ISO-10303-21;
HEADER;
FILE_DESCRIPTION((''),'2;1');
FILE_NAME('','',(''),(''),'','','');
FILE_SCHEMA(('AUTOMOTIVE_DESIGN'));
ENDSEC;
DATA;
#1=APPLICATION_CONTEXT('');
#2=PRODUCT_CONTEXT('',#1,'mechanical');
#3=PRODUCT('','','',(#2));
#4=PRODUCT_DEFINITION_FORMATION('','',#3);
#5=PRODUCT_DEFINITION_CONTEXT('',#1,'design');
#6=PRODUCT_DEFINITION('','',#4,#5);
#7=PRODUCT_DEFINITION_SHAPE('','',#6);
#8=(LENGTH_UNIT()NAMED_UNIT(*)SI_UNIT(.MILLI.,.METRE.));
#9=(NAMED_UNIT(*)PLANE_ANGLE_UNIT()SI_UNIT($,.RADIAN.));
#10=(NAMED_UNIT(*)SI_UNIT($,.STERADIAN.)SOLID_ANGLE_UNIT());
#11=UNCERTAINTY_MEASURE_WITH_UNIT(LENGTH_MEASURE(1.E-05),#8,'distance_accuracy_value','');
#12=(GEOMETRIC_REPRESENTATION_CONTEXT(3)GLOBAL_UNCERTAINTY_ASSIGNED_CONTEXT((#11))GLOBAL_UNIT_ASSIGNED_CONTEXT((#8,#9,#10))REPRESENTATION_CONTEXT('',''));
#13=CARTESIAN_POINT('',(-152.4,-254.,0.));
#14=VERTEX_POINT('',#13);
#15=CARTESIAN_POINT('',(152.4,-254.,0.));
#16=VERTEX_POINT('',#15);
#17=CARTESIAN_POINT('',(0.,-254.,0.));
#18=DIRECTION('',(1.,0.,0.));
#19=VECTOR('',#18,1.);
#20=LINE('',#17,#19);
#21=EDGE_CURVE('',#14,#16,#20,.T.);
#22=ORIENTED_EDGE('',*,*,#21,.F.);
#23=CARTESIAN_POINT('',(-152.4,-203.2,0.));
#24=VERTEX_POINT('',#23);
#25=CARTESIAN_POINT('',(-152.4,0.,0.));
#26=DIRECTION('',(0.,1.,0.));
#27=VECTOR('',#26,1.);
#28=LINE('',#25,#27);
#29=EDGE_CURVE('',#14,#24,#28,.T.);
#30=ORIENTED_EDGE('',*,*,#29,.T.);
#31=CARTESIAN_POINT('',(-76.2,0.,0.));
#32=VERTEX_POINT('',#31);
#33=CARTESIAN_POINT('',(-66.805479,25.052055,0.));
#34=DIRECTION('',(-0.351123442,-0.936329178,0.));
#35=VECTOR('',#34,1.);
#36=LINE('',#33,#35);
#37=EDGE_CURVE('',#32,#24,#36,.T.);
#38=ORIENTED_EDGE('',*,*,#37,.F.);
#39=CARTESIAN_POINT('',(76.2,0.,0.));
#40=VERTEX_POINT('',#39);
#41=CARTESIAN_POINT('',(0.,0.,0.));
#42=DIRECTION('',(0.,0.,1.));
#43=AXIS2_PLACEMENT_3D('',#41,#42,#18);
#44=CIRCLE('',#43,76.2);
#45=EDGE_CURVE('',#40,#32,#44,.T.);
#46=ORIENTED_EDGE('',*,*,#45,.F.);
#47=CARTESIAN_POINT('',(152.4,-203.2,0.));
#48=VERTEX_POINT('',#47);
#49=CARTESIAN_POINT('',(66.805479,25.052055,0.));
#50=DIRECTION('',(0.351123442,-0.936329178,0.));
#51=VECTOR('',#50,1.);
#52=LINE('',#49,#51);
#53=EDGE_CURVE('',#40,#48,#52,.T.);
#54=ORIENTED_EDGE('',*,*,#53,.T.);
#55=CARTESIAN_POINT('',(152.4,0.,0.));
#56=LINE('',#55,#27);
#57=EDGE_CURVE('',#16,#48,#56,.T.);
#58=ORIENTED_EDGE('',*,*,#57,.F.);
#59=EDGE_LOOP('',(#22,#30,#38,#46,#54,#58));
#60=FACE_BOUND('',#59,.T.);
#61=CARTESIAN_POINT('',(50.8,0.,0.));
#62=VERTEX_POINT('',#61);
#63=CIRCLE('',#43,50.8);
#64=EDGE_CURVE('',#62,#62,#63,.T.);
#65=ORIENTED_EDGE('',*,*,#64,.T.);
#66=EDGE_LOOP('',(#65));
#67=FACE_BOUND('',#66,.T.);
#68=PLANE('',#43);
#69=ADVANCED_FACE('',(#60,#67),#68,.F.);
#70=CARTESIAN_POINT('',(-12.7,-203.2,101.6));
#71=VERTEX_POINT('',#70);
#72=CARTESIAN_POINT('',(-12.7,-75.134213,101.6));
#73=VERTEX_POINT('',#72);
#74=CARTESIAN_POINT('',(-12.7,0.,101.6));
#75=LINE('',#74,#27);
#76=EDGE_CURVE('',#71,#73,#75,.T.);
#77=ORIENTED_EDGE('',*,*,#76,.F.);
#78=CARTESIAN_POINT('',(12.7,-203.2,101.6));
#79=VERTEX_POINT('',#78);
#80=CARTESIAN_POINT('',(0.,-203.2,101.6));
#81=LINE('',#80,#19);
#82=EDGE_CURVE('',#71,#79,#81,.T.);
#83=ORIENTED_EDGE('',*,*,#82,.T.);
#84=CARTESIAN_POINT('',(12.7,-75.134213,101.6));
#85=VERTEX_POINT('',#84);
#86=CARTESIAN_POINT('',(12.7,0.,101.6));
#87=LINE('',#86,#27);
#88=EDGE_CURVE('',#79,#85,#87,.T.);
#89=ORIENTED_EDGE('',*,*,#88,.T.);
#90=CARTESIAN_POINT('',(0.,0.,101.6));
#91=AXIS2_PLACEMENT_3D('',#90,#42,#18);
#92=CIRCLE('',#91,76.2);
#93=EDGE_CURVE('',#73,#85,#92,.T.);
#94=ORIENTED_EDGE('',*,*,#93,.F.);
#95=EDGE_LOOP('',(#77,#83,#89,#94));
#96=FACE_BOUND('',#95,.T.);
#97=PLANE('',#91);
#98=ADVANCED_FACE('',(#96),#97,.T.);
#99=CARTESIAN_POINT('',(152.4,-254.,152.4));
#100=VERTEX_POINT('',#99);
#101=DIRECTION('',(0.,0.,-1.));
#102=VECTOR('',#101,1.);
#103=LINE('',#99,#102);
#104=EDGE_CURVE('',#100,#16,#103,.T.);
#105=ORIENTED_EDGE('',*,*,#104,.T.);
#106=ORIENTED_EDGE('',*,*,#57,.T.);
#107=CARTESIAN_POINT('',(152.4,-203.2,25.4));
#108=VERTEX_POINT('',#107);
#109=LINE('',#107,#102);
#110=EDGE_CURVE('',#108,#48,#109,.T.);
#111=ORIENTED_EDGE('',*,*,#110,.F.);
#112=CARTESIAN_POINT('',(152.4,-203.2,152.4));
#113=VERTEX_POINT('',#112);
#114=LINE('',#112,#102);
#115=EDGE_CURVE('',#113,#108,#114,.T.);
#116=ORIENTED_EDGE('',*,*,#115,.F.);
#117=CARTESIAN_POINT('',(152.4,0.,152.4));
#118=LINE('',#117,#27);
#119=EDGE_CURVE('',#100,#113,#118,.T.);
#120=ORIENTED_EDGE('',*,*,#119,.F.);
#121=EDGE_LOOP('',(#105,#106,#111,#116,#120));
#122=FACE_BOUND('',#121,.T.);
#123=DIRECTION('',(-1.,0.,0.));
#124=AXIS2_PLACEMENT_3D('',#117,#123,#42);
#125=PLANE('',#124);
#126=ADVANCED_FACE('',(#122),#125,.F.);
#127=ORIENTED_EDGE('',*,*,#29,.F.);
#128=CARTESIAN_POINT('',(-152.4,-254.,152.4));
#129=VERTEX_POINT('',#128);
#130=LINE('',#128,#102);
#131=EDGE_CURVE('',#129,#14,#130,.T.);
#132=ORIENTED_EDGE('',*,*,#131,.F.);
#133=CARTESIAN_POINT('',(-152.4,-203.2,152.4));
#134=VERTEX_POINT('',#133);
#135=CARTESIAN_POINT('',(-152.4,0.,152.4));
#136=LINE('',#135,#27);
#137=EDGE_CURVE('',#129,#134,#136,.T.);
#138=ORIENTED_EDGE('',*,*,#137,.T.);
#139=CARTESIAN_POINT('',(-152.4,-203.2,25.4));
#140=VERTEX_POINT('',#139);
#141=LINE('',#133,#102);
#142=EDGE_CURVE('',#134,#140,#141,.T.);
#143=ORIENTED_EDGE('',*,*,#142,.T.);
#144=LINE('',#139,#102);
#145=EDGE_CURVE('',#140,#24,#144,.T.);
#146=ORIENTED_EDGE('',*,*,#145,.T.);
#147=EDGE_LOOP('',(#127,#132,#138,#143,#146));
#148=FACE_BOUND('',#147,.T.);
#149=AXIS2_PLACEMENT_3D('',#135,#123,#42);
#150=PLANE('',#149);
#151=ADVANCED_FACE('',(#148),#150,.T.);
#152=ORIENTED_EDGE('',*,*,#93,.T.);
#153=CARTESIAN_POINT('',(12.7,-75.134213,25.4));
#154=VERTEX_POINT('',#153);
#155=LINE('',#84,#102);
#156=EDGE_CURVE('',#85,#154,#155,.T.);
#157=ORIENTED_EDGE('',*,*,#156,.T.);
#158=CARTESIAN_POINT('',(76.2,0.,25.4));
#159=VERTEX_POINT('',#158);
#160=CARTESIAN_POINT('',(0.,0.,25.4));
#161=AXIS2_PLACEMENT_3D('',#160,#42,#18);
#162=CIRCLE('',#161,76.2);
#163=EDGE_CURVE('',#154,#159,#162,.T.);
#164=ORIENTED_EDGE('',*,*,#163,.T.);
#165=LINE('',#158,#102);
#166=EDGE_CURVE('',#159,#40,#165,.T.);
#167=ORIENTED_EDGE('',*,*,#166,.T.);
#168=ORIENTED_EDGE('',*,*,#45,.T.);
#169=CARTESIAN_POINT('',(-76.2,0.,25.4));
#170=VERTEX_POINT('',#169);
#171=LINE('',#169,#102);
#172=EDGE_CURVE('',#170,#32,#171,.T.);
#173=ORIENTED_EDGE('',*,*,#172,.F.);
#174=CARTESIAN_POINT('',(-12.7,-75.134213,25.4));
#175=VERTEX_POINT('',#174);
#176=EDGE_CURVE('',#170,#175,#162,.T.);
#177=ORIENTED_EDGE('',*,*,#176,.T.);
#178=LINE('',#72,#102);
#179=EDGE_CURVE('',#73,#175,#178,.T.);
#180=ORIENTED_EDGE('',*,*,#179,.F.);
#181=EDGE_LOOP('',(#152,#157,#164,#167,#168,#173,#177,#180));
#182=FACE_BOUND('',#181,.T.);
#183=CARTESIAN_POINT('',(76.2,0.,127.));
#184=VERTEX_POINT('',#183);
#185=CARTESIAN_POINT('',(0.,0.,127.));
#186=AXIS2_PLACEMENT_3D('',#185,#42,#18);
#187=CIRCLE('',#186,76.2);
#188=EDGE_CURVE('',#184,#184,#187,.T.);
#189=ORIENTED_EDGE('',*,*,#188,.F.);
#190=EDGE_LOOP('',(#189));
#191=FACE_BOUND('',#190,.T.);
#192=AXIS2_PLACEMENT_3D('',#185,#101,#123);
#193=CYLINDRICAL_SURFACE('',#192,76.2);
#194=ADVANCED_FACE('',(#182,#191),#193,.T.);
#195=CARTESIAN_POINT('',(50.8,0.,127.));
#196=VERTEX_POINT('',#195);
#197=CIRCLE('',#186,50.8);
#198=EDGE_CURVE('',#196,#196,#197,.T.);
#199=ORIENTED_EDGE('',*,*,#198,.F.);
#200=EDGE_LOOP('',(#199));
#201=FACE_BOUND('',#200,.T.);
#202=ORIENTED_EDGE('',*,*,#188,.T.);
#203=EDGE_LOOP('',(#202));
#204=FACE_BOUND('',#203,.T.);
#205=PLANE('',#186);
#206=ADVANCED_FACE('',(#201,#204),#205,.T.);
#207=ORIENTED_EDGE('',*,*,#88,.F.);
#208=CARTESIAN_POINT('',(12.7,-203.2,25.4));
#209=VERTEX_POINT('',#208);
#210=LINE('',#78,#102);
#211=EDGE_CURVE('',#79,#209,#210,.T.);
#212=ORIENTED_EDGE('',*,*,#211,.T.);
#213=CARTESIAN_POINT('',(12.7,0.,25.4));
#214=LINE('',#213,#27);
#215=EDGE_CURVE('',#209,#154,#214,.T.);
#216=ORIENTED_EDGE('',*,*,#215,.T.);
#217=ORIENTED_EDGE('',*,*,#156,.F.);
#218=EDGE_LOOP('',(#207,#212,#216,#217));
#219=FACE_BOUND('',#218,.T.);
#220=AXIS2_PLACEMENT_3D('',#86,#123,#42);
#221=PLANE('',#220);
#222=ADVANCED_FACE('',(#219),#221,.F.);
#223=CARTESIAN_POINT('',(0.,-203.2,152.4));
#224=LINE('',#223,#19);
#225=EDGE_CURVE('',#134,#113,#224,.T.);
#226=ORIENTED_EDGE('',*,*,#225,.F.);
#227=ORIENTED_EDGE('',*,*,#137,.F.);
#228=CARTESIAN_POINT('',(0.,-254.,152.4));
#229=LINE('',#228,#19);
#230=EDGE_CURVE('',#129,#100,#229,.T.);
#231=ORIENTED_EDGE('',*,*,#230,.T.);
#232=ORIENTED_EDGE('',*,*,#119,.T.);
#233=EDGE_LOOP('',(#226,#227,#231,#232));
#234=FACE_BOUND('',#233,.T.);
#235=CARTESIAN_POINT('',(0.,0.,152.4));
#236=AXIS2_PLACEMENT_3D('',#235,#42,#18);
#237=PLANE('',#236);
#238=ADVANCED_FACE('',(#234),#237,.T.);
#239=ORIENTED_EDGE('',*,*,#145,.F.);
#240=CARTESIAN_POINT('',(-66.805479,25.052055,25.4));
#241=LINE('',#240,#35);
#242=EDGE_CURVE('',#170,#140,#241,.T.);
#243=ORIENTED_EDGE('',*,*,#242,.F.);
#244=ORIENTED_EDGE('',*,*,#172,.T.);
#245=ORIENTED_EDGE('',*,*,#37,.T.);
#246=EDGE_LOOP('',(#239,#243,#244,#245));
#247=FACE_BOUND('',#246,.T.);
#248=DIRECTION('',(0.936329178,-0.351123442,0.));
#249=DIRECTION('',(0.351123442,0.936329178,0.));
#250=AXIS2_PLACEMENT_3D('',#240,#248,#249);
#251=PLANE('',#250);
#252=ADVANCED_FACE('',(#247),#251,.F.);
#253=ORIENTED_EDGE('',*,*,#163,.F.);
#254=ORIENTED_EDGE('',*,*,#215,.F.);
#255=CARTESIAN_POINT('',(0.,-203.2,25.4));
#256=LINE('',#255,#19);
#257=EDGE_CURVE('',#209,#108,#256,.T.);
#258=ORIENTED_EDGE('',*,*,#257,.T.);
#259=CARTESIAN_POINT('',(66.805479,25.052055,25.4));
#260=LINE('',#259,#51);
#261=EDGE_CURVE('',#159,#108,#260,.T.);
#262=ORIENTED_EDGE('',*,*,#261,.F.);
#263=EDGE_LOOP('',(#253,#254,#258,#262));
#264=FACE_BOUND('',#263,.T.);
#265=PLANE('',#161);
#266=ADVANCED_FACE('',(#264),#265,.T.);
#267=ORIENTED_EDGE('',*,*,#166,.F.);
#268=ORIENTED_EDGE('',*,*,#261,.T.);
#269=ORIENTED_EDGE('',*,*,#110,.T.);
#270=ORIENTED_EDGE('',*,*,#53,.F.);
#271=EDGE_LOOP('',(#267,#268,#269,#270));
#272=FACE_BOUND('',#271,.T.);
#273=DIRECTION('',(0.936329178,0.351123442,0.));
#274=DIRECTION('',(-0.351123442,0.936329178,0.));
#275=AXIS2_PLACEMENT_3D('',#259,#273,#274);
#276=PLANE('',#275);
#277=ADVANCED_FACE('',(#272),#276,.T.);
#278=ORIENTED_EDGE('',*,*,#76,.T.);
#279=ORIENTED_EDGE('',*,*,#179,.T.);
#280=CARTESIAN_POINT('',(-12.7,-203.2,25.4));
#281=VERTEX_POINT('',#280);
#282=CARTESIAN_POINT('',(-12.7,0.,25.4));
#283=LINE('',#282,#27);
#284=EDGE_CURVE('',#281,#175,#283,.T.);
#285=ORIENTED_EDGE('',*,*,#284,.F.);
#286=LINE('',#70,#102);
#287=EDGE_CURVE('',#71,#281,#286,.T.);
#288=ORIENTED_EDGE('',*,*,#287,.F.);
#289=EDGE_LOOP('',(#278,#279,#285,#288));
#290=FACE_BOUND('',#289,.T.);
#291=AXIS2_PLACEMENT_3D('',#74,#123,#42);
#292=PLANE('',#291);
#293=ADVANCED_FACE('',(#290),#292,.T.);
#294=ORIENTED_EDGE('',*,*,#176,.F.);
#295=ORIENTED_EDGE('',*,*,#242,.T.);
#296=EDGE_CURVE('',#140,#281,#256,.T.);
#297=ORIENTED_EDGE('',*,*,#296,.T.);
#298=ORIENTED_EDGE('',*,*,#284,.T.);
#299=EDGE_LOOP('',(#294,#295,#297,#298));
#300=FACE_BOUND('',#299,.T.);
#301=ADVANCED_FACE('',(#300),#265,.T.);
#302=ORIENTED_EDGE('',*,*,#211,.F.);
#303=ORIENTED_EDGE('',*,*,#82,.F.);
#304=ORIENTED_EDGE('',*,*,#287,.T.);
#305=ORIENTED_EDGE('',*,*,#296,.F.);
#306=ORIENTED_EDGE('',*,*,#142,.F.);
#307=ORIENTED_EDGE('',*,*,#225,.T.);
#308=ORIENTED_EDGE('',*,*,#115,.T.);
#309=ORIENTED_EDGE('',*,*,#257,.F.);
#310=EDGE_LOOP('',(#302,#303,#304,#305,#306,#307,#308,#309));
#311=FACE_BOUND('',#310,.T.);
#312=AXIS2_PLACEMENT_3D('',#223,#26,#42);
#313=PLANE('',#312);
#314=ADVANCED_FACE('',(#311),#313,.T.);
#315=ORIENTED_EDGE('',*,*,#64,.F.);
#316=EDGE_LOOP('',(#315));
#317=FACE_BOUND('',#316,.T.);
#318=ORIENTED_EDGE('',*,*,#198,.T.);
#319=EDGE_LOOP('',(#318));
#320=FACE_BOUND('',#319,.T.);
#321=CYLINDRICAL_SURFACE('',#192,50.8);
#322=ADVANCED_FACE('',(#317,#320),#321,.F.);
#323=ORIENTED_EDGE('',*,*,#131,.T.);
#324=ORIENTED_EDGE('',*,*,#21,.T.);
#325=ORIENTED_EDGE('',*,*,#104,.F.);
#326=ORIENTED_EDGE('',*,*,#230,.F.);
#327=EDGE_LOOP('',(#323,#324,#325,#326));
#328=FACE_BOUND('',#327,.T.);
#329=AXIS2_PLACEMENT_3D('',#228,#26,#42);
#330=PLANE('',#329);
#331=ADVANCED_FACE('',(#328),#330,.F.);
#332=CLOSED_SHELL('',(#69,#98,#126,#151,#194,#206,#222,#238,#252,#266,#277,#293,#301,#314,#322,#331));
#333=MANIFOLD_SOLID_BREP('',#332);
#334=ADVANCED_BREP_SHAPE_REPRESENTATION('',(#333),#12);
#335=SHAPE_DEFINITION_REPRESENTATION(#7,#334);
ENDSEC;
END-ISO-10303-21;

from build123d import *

# Parameters (mm, degrees)
SKETCH2_R            = 50.8
BOSS_EXTRUDE7_DEPTH  = 127
BOSS_EXTRUDE8_DEPTH  = 101.6
BOSS_EXTRUDE9_DEPTH  = 152.4
BOSS_EXTRUDE10_DEPTH = 25.4


with BuildPart() as part:
    # Sketch2 → Boss-Extrude7 (new body)
    with BuildSketch(Plane.XY):
        with BuildLine():
            ThreePointArc((76.2, 0), (0, 76.2), (-76.2, 0))
            ThreePointArc((-76.2, 0), (-58.198711326, -49.186888497), (-12.7, -75.134213245))
            ThreePointArc((-12.7, -75.134213245), (0, -76.2), (12.7, -75.134213245))
            ThreePointArc((12.7, -75.134213245), (58.198711326, -49.186888497), (76.2, 0))
        make_face()
        Circle(SKETCH2_R, mode=Mode.SUBTRACT)
    extrude(amount=BOSS_EXTRUDE7_DEPTH)

    # Sketch2<11> → Boss-Extrude8 (add)
    with BuildSketch(Plane.XY):
        with BuildLine():
            ThreePointArc((12.7, -75.134213245), (0, -76.2), (-12.7, -75.134213245))
            Line((-12.7, -75.134213245), (-12.7, -203.2))
            Line((-12.7, -203.2), (12.7, -203.2))
            Line((12.7, -203.2), (12.7, -75.134213245))
        make_face()
    extrude(amount=BOSS_EXTRUDE8_DEPTH)

    # Sketch2<12> → Boss-Extrude9 (add)
    with BuildSketch(Plane.XY):
        Polygon((-12.7, -203.2), (-152.4, -203.2), (-152.4, -254), (152.4, -254), (152.4, -203.2), (12.7, -203.2), align=None)
    extrude(amount=BOSS_EXTRUDE9_DEPTH)

    # Sketch2<13> → Boss-Extrude10 (add)
    with BuildSketch(Plane.XY):
        with BuildLine():
            ThreePointArc((-12.7, -75.134213245), (-58.198711326, -49.186888497), (-76.2, 0))
            Line((-76.2, 0), (-152.4, -203.2))
            Line((-152.4, -203.2), (-12.7, -203.2))
            Line((-12.7, -203.2), (-12.7, -75.134213245))
        make_face()
        with BuildLine():
            Line((152.4, -203.2), (76.2, 0))
            ThreePointArc((76.2, 0), (58.198711326, -49.186888497), (12.7, -75.134213245))
            Line((12.7, -75.134213245), (12.7, -203.2))
            Line((12.7, -203.2), (152.4, -203.2))
        make_face()
    extrude(amount=BOSS_EXTRUDE10_DEPTH)


solid = part.part
